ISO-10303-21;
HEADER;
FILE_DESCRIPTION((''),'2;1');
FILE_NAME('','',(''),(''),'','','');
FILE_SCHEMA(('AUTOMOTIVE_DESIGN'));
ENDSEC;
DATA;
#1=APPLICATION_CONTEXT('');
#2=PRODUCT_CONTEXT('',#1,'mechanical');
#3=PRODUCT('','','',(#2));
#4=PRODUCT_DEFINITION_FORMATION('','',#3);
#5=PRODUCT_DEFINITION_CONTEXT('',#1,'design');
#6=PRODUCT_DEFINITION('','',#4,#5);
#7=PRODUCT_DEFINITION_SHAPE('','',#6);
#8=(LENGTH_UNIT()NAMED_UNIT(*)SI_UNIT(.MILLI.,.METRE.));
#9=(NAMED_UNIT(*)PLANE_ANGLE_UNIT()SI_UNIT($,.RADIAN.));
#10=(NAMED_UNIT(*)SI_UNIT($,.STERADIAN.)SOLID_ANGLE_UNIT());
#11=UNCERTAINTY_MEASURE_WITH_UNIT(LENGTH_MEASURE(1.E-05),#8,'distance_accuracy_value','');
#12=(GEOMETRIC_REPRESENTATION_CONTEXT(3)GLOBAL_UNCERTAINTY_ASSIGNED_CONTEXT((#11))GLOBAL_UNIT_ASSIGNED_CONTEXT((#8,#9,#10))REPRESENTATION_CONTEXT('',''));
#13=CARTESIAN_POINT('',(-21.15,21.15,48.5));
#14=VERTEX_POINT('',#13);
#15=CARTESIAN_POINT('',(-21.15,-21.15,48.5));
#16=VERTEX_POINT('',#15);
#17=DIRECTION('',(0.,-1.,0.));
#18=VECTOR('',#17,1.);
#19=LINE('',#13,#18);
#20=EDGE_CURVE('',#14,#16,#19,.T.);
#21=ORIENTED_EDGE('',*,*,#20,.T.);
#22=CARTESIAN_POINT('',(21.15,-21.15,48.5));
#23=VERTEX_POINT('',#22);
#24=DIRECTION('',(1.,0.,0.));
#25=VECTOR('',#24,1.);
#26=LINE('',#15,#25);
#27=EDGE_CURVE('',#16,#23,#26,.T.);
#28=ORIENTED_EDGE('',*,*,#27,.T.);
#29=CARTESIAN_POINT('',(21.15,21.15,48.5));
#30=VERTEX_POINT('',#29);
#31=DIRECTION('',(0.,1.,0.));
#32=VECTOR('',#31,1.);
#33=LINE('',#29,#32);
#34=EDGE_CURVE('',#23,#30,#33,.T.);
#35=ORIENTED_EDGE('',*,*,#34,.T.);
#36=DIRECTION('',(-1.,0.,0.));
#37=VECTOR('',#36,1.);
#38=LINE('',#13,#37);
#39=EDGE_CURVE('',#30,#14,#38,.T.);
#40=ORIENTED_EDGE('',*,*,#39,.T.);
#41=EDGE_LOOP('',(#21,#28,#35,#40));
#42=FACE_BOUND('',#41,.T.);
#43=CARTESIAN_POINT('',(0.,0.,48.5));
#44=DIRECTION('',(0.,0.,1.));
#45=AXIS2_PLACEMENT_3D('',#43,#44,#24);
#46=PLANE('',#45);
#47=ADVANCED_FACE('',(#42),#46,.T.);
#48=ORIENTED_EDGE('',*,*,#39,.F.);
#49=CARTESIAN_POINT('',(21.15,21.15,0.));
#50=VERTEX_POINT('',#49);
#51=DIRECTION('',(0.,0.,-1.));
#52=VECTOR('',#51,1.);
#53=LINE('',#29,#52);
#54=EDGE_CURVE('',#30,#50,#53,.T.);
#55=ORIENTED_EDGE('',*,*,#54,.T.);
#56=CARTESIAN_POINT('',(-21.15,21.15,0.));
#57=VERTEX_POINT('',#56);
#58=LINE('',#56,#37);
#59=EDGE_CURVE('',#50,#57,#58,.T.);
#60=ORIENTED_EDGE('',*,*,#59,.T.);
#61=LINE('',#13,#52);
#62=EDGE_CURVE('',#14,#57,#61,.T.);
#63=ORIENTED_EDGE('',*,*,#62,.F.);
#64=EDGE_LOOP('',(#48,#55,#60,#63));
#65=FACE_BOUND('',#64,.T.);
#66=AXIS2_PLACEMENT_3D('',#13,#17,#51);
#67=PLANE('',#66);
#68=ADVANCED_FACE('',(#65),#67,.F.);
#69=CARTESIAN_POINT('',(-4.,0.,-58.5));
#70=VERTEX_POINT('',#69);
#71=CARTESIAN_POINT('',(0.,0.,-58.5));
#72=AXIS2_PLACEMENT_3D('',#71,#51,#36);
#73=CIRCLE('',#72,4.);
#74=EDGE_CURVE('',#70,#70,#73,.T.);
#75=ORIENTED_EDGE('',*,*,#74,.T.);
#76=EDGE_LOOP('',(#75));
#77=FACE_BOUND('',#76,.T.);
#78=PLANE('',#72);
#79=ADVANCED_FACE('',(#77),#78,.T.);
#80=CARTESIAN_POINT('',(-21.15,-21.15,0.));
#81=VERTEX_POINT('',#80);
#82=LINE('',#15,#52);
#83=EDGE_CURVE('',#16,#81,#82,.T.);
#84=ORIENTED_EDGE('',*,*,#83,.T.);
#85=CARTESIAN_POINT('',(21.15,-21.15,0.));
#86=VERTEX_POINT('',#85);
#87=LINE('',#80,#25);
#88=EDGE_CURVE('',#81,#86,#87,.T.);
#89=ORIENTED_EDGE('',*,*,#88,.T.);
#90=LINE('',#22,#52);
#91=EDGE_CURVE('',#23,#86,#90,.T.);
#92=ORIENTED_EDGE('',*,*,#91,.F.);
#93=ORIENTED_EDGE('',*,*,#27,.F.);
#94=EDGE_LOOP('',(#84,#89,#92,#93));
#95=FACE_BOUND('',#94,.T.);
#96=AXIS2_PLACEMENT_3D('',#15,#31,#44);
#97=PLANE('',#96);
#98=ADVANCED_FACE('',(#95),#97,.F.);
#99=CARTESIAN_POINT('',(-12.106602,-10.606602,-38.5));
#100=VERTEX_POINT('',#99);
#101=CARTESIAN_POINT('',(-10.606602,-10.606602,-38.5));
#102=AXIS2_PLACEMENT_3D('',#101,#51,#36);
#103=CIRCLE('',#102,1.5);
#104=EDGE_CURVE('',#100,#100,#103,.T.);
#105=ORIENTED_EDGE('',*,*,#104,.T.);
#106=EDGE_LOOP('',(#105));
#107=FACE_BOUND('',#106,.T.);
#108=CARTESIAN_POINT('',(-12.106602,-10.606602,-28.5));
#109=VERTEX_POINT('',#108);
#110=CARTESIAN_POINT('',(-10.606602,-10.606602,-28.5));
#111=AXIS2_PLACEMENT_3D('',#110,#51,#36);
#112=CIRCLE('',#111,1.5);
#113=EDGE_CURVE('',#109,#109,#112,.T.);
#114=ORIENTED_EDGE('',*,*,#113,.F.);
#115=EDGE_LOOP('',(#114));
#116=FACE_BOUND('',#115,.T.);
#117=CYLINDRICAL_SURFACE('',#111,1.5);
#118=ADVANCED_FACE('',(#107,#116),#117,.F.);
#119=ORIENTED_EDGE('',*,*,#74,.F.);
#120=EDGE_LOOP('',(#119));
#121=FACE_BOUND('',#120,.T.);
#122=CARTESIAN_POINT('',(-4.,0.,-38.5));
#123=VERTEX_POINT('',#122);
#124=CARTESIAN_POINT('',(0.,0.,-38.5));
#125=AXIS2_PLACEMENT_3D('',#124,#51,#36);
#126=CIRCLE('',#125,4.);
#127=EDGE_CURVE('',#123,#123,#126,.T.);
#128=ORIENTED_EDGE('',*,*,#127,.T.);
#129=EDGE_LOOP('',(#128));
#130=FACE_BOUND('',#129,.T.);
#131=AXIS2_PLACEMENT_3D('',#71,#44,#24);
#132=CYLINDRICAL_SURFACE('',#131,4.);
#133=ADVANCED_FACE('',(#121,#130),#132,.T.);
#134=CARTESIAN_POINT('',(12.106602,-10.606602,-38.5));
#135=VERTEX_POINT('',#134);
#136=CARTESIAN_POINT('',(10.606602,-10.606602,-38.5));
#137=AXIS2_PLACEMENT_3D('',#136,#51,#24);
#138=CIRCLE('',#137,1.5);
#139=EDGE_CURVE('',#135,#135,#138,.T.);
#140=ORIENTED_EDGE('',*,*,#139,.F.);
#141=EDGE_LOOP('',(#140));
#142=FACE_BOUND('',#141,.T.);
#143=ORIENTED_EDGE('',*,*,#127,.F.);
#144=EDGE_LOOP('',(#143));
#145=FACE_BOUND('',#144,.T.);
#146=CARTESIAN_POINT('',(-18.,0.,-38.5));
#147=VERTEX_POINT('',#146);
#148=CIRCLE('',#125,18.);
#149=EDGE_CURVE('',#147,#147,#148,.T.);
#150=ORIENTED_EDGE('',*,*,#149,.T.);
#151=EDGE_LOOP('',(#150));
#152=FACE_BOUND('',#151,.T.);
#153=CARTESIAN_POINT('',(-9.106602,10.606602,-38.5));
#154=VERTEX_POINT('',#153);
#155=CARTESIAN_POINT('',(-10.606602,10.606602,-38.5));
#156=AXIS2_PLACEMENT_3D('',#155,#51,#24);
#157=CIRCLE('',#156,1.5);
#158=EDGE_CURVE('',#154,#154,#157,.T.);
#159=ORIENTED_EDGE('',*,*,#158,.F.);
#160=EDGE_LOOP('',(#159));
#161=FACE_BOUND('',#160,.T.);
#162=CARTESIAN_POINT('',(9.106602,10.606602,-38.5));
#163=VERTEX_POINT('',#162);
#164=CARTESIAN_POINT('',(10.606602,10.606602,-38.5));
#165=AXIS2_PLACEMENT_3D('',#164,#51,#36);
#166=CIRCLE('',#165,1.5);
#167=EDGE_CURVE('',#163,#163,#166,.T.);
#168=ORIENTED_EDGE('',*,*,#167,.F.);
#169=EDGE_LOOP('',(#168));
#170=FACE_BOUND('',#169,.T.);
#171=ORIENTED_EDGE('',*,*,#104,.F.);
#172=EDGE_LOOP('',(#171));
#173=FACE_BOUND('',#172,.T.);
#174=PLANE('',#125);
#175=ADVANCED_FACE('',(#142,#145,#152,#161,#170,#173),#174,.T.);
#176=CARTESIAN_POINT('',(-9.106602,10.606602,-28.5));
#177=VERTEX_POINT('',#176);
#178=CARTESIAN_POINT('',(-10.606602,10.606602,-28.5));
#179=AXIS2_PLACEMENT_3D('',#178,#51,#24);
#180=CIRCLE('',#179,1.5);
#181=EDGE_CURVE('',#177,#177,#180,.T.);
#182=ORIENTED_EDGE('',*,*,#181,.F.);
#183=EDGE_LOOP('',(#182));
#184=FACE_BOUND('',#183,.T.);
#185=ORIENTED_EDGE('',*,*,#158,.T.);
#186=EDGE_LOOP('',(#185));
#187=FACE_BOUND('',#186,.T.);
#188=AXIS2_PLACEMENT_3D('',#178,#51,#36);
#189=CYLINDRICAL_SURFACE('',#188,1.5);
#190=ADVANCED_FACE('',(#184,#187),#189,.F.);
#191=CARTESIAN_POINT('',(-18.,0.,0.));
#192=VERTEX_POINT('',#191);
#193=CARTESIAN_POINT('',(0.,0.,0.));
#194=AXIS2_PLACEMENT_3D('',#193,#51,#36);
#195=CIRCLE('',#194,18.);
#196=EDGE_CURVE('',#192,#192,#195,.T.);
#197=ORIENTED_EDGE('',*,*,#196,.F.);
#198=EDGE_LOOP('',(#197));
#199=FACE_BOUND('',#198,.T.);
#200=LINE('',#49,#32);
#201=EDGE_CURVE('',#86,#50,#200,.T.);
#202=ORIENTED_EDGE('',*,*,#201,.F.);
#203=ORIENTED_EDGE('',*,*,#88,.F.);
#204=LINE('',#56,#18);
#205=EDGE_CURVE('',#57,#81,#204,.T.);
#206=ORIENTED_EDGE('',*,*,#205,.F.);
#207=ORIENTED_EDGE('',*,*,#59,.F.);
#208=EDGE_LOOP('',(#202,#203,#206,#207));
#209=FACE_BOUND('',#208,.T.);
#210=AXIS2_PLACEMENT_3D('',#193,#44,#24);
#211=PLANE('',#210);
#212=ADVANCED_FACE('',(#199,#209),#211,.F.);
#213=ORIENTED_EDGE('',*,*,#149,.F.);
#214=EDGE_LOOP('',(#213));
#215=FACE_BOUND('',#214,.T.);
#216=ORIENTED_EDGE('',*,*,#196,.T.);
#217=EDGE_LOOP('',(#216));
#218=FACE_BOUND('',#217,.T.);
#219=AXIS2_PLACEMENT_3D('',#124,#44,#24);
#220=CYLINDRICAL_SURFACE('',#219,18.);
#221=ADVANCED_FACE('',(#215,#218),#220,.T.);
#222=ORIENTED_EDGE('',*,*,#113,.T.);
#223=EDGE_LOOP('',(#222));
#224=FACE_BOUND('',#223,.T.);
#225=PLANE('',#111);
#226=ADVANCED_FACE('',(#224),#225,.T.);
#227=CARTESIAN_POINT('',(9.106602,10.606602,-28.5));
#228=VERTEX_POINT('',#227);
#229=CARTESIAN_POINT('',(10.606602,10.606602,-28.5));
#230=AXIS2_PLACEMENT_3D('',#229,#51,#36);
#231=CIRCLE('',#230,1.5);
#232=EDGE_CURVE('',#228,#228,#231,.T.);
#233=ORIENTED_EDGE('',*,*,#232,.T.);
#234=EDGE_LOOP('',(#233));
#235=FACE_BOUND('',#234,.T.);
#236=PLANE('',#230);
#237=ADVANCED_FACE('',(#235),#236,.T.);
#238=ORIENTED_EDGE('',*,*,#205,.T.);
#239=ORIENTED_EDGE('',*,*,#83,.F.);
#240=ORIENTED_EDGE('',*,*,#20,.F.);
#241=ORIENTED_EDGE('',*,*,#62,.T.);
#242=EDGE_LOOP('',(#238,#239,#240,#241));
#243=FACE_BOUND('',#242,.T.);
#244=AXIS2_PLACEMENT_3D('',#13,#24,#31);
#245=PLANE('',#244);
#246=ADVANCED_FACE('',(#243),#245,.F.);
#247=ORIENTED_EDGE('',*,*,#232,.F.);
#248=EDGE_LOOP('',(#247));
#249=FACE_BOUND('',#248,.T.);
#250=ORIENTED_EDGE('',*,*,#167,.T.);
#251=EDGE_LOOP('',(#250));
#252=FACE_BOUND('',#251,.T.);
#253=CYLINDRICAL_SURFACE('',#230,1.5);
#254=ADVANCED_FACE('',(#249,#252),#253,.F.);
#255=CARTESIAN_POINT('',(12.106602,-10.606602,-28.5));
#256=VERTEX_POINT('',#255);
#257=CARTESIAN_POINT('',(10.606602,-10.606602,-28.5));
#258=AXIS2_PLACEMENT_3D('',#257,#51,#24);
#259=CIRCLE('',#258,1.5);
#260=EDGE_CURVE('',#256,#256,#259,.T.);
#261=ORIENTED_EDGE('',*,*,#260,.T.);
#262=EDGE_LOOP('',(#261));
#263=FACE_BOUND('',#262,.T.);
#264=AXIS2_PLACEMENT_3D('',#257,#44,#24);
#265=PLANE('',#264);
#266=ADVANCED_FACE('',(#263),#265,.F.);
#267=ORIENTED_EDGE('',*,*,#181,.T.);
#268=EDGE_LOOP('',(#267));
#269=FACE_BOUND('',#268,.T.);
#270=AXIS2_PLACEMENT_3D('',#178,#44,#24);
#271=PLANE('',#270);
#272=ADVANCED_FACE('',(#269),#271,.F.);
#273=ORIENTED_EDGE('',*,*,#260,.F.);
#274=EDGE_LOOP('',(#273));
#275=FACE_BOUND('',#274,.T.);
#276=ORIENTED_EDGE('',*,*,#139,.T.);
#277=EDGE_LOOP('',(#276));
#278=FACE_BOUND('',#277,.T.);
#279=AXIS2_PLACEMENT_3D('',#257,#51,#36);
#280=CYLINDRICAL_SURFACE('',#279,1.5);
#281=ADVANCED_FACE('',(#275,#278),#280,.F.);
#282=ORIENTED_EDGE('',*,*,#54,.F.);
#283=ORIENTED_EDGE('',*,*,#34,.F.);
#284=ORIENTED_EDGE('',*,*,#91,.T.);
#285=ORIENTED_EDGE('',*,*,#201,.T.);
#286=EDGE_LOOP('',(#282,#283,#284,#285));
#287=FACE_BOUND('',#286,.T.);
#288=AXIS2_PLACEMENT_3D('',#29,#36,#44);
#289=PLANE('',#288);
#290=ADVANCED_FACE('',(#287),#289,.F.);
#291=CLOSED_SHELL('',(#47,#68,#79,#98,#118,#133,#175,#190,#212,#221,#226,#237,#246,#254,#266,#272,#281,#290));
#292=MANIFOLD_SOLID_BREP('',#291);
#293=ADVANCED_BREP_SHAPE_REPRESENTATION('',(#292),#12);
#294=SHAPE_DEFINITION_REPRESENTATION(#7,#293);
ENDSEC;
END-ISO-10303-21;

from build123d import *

# Parameters (mm, degrees)
SKETCH1_W           = 42.3
SKETCH1_H           = 42.3
BOSS_EXTRUDE1_DEPTH = 48.5
SKETCH3_R           = 18
BOSS_EXTRUDE2_DEPTH = 38.5
SKETCH5_R           = 4
BOSS_EXTRUDE3_DEPTH = 20
SKETCH6_R           = 1.5
CUT_EXTRUDE1_DEPTH  = 10


with BuildPart() as part:
    # Sketch1 → Boss-Extrude1 (new body)
    with BuildSketch(Plane.XY):
        Rectangle(SKETCH1_W, SKETCH1_H)
    extrude(amount=BOSS_EXTRUDE1_DEPTH)

    # Sketch3 → Boss-Extrude2 (add)
    with BuildSketch(Plane(origin=(0, 0, 0), x_dir=(-1, 0, 0), z_dir=(0, 0, -1))):
        Circle(SKETCH3_R)
    extrude(amount=BOSS_EXTRUDE2_DEPTH)

    # Sketch5 → Boss-Extrude3 (add)
    with BuildSketch(Plane(origin=(0, 0, -38.5), x_dir=(-1, 0, 0), z_dir=(0, 0, -1))):
        Circle(SKETCH5_R)
    extrude(amount=BOSS_EXTRUDE3_DEPTH)

    # Sketch6 → Cut-Extrude1 (cut)
    with BuildSketch(Plane(origin=(0, 0, -38.5), x_dir=(-1, 0, 0), z_dir=(0, 0, -1))):
        with Locations((-10.606601718, 10.606601718)):
            Circle(SKETCH6_R)
        with Locations((10.606601718, 10.606601718)):
            Circle(SKETCH6_R)
        with Locations((10.606601718, -10.606601718)):
            Circle(SKETCH6_R)
        with Locations((-10.606601718, -10.606601718)):
            Circle(SKETCH6_R)
    extrude(amount=-CUT_EXTRUDE1_DEPTH, mode=Mode.SUBTRACT)


solid = part.part
